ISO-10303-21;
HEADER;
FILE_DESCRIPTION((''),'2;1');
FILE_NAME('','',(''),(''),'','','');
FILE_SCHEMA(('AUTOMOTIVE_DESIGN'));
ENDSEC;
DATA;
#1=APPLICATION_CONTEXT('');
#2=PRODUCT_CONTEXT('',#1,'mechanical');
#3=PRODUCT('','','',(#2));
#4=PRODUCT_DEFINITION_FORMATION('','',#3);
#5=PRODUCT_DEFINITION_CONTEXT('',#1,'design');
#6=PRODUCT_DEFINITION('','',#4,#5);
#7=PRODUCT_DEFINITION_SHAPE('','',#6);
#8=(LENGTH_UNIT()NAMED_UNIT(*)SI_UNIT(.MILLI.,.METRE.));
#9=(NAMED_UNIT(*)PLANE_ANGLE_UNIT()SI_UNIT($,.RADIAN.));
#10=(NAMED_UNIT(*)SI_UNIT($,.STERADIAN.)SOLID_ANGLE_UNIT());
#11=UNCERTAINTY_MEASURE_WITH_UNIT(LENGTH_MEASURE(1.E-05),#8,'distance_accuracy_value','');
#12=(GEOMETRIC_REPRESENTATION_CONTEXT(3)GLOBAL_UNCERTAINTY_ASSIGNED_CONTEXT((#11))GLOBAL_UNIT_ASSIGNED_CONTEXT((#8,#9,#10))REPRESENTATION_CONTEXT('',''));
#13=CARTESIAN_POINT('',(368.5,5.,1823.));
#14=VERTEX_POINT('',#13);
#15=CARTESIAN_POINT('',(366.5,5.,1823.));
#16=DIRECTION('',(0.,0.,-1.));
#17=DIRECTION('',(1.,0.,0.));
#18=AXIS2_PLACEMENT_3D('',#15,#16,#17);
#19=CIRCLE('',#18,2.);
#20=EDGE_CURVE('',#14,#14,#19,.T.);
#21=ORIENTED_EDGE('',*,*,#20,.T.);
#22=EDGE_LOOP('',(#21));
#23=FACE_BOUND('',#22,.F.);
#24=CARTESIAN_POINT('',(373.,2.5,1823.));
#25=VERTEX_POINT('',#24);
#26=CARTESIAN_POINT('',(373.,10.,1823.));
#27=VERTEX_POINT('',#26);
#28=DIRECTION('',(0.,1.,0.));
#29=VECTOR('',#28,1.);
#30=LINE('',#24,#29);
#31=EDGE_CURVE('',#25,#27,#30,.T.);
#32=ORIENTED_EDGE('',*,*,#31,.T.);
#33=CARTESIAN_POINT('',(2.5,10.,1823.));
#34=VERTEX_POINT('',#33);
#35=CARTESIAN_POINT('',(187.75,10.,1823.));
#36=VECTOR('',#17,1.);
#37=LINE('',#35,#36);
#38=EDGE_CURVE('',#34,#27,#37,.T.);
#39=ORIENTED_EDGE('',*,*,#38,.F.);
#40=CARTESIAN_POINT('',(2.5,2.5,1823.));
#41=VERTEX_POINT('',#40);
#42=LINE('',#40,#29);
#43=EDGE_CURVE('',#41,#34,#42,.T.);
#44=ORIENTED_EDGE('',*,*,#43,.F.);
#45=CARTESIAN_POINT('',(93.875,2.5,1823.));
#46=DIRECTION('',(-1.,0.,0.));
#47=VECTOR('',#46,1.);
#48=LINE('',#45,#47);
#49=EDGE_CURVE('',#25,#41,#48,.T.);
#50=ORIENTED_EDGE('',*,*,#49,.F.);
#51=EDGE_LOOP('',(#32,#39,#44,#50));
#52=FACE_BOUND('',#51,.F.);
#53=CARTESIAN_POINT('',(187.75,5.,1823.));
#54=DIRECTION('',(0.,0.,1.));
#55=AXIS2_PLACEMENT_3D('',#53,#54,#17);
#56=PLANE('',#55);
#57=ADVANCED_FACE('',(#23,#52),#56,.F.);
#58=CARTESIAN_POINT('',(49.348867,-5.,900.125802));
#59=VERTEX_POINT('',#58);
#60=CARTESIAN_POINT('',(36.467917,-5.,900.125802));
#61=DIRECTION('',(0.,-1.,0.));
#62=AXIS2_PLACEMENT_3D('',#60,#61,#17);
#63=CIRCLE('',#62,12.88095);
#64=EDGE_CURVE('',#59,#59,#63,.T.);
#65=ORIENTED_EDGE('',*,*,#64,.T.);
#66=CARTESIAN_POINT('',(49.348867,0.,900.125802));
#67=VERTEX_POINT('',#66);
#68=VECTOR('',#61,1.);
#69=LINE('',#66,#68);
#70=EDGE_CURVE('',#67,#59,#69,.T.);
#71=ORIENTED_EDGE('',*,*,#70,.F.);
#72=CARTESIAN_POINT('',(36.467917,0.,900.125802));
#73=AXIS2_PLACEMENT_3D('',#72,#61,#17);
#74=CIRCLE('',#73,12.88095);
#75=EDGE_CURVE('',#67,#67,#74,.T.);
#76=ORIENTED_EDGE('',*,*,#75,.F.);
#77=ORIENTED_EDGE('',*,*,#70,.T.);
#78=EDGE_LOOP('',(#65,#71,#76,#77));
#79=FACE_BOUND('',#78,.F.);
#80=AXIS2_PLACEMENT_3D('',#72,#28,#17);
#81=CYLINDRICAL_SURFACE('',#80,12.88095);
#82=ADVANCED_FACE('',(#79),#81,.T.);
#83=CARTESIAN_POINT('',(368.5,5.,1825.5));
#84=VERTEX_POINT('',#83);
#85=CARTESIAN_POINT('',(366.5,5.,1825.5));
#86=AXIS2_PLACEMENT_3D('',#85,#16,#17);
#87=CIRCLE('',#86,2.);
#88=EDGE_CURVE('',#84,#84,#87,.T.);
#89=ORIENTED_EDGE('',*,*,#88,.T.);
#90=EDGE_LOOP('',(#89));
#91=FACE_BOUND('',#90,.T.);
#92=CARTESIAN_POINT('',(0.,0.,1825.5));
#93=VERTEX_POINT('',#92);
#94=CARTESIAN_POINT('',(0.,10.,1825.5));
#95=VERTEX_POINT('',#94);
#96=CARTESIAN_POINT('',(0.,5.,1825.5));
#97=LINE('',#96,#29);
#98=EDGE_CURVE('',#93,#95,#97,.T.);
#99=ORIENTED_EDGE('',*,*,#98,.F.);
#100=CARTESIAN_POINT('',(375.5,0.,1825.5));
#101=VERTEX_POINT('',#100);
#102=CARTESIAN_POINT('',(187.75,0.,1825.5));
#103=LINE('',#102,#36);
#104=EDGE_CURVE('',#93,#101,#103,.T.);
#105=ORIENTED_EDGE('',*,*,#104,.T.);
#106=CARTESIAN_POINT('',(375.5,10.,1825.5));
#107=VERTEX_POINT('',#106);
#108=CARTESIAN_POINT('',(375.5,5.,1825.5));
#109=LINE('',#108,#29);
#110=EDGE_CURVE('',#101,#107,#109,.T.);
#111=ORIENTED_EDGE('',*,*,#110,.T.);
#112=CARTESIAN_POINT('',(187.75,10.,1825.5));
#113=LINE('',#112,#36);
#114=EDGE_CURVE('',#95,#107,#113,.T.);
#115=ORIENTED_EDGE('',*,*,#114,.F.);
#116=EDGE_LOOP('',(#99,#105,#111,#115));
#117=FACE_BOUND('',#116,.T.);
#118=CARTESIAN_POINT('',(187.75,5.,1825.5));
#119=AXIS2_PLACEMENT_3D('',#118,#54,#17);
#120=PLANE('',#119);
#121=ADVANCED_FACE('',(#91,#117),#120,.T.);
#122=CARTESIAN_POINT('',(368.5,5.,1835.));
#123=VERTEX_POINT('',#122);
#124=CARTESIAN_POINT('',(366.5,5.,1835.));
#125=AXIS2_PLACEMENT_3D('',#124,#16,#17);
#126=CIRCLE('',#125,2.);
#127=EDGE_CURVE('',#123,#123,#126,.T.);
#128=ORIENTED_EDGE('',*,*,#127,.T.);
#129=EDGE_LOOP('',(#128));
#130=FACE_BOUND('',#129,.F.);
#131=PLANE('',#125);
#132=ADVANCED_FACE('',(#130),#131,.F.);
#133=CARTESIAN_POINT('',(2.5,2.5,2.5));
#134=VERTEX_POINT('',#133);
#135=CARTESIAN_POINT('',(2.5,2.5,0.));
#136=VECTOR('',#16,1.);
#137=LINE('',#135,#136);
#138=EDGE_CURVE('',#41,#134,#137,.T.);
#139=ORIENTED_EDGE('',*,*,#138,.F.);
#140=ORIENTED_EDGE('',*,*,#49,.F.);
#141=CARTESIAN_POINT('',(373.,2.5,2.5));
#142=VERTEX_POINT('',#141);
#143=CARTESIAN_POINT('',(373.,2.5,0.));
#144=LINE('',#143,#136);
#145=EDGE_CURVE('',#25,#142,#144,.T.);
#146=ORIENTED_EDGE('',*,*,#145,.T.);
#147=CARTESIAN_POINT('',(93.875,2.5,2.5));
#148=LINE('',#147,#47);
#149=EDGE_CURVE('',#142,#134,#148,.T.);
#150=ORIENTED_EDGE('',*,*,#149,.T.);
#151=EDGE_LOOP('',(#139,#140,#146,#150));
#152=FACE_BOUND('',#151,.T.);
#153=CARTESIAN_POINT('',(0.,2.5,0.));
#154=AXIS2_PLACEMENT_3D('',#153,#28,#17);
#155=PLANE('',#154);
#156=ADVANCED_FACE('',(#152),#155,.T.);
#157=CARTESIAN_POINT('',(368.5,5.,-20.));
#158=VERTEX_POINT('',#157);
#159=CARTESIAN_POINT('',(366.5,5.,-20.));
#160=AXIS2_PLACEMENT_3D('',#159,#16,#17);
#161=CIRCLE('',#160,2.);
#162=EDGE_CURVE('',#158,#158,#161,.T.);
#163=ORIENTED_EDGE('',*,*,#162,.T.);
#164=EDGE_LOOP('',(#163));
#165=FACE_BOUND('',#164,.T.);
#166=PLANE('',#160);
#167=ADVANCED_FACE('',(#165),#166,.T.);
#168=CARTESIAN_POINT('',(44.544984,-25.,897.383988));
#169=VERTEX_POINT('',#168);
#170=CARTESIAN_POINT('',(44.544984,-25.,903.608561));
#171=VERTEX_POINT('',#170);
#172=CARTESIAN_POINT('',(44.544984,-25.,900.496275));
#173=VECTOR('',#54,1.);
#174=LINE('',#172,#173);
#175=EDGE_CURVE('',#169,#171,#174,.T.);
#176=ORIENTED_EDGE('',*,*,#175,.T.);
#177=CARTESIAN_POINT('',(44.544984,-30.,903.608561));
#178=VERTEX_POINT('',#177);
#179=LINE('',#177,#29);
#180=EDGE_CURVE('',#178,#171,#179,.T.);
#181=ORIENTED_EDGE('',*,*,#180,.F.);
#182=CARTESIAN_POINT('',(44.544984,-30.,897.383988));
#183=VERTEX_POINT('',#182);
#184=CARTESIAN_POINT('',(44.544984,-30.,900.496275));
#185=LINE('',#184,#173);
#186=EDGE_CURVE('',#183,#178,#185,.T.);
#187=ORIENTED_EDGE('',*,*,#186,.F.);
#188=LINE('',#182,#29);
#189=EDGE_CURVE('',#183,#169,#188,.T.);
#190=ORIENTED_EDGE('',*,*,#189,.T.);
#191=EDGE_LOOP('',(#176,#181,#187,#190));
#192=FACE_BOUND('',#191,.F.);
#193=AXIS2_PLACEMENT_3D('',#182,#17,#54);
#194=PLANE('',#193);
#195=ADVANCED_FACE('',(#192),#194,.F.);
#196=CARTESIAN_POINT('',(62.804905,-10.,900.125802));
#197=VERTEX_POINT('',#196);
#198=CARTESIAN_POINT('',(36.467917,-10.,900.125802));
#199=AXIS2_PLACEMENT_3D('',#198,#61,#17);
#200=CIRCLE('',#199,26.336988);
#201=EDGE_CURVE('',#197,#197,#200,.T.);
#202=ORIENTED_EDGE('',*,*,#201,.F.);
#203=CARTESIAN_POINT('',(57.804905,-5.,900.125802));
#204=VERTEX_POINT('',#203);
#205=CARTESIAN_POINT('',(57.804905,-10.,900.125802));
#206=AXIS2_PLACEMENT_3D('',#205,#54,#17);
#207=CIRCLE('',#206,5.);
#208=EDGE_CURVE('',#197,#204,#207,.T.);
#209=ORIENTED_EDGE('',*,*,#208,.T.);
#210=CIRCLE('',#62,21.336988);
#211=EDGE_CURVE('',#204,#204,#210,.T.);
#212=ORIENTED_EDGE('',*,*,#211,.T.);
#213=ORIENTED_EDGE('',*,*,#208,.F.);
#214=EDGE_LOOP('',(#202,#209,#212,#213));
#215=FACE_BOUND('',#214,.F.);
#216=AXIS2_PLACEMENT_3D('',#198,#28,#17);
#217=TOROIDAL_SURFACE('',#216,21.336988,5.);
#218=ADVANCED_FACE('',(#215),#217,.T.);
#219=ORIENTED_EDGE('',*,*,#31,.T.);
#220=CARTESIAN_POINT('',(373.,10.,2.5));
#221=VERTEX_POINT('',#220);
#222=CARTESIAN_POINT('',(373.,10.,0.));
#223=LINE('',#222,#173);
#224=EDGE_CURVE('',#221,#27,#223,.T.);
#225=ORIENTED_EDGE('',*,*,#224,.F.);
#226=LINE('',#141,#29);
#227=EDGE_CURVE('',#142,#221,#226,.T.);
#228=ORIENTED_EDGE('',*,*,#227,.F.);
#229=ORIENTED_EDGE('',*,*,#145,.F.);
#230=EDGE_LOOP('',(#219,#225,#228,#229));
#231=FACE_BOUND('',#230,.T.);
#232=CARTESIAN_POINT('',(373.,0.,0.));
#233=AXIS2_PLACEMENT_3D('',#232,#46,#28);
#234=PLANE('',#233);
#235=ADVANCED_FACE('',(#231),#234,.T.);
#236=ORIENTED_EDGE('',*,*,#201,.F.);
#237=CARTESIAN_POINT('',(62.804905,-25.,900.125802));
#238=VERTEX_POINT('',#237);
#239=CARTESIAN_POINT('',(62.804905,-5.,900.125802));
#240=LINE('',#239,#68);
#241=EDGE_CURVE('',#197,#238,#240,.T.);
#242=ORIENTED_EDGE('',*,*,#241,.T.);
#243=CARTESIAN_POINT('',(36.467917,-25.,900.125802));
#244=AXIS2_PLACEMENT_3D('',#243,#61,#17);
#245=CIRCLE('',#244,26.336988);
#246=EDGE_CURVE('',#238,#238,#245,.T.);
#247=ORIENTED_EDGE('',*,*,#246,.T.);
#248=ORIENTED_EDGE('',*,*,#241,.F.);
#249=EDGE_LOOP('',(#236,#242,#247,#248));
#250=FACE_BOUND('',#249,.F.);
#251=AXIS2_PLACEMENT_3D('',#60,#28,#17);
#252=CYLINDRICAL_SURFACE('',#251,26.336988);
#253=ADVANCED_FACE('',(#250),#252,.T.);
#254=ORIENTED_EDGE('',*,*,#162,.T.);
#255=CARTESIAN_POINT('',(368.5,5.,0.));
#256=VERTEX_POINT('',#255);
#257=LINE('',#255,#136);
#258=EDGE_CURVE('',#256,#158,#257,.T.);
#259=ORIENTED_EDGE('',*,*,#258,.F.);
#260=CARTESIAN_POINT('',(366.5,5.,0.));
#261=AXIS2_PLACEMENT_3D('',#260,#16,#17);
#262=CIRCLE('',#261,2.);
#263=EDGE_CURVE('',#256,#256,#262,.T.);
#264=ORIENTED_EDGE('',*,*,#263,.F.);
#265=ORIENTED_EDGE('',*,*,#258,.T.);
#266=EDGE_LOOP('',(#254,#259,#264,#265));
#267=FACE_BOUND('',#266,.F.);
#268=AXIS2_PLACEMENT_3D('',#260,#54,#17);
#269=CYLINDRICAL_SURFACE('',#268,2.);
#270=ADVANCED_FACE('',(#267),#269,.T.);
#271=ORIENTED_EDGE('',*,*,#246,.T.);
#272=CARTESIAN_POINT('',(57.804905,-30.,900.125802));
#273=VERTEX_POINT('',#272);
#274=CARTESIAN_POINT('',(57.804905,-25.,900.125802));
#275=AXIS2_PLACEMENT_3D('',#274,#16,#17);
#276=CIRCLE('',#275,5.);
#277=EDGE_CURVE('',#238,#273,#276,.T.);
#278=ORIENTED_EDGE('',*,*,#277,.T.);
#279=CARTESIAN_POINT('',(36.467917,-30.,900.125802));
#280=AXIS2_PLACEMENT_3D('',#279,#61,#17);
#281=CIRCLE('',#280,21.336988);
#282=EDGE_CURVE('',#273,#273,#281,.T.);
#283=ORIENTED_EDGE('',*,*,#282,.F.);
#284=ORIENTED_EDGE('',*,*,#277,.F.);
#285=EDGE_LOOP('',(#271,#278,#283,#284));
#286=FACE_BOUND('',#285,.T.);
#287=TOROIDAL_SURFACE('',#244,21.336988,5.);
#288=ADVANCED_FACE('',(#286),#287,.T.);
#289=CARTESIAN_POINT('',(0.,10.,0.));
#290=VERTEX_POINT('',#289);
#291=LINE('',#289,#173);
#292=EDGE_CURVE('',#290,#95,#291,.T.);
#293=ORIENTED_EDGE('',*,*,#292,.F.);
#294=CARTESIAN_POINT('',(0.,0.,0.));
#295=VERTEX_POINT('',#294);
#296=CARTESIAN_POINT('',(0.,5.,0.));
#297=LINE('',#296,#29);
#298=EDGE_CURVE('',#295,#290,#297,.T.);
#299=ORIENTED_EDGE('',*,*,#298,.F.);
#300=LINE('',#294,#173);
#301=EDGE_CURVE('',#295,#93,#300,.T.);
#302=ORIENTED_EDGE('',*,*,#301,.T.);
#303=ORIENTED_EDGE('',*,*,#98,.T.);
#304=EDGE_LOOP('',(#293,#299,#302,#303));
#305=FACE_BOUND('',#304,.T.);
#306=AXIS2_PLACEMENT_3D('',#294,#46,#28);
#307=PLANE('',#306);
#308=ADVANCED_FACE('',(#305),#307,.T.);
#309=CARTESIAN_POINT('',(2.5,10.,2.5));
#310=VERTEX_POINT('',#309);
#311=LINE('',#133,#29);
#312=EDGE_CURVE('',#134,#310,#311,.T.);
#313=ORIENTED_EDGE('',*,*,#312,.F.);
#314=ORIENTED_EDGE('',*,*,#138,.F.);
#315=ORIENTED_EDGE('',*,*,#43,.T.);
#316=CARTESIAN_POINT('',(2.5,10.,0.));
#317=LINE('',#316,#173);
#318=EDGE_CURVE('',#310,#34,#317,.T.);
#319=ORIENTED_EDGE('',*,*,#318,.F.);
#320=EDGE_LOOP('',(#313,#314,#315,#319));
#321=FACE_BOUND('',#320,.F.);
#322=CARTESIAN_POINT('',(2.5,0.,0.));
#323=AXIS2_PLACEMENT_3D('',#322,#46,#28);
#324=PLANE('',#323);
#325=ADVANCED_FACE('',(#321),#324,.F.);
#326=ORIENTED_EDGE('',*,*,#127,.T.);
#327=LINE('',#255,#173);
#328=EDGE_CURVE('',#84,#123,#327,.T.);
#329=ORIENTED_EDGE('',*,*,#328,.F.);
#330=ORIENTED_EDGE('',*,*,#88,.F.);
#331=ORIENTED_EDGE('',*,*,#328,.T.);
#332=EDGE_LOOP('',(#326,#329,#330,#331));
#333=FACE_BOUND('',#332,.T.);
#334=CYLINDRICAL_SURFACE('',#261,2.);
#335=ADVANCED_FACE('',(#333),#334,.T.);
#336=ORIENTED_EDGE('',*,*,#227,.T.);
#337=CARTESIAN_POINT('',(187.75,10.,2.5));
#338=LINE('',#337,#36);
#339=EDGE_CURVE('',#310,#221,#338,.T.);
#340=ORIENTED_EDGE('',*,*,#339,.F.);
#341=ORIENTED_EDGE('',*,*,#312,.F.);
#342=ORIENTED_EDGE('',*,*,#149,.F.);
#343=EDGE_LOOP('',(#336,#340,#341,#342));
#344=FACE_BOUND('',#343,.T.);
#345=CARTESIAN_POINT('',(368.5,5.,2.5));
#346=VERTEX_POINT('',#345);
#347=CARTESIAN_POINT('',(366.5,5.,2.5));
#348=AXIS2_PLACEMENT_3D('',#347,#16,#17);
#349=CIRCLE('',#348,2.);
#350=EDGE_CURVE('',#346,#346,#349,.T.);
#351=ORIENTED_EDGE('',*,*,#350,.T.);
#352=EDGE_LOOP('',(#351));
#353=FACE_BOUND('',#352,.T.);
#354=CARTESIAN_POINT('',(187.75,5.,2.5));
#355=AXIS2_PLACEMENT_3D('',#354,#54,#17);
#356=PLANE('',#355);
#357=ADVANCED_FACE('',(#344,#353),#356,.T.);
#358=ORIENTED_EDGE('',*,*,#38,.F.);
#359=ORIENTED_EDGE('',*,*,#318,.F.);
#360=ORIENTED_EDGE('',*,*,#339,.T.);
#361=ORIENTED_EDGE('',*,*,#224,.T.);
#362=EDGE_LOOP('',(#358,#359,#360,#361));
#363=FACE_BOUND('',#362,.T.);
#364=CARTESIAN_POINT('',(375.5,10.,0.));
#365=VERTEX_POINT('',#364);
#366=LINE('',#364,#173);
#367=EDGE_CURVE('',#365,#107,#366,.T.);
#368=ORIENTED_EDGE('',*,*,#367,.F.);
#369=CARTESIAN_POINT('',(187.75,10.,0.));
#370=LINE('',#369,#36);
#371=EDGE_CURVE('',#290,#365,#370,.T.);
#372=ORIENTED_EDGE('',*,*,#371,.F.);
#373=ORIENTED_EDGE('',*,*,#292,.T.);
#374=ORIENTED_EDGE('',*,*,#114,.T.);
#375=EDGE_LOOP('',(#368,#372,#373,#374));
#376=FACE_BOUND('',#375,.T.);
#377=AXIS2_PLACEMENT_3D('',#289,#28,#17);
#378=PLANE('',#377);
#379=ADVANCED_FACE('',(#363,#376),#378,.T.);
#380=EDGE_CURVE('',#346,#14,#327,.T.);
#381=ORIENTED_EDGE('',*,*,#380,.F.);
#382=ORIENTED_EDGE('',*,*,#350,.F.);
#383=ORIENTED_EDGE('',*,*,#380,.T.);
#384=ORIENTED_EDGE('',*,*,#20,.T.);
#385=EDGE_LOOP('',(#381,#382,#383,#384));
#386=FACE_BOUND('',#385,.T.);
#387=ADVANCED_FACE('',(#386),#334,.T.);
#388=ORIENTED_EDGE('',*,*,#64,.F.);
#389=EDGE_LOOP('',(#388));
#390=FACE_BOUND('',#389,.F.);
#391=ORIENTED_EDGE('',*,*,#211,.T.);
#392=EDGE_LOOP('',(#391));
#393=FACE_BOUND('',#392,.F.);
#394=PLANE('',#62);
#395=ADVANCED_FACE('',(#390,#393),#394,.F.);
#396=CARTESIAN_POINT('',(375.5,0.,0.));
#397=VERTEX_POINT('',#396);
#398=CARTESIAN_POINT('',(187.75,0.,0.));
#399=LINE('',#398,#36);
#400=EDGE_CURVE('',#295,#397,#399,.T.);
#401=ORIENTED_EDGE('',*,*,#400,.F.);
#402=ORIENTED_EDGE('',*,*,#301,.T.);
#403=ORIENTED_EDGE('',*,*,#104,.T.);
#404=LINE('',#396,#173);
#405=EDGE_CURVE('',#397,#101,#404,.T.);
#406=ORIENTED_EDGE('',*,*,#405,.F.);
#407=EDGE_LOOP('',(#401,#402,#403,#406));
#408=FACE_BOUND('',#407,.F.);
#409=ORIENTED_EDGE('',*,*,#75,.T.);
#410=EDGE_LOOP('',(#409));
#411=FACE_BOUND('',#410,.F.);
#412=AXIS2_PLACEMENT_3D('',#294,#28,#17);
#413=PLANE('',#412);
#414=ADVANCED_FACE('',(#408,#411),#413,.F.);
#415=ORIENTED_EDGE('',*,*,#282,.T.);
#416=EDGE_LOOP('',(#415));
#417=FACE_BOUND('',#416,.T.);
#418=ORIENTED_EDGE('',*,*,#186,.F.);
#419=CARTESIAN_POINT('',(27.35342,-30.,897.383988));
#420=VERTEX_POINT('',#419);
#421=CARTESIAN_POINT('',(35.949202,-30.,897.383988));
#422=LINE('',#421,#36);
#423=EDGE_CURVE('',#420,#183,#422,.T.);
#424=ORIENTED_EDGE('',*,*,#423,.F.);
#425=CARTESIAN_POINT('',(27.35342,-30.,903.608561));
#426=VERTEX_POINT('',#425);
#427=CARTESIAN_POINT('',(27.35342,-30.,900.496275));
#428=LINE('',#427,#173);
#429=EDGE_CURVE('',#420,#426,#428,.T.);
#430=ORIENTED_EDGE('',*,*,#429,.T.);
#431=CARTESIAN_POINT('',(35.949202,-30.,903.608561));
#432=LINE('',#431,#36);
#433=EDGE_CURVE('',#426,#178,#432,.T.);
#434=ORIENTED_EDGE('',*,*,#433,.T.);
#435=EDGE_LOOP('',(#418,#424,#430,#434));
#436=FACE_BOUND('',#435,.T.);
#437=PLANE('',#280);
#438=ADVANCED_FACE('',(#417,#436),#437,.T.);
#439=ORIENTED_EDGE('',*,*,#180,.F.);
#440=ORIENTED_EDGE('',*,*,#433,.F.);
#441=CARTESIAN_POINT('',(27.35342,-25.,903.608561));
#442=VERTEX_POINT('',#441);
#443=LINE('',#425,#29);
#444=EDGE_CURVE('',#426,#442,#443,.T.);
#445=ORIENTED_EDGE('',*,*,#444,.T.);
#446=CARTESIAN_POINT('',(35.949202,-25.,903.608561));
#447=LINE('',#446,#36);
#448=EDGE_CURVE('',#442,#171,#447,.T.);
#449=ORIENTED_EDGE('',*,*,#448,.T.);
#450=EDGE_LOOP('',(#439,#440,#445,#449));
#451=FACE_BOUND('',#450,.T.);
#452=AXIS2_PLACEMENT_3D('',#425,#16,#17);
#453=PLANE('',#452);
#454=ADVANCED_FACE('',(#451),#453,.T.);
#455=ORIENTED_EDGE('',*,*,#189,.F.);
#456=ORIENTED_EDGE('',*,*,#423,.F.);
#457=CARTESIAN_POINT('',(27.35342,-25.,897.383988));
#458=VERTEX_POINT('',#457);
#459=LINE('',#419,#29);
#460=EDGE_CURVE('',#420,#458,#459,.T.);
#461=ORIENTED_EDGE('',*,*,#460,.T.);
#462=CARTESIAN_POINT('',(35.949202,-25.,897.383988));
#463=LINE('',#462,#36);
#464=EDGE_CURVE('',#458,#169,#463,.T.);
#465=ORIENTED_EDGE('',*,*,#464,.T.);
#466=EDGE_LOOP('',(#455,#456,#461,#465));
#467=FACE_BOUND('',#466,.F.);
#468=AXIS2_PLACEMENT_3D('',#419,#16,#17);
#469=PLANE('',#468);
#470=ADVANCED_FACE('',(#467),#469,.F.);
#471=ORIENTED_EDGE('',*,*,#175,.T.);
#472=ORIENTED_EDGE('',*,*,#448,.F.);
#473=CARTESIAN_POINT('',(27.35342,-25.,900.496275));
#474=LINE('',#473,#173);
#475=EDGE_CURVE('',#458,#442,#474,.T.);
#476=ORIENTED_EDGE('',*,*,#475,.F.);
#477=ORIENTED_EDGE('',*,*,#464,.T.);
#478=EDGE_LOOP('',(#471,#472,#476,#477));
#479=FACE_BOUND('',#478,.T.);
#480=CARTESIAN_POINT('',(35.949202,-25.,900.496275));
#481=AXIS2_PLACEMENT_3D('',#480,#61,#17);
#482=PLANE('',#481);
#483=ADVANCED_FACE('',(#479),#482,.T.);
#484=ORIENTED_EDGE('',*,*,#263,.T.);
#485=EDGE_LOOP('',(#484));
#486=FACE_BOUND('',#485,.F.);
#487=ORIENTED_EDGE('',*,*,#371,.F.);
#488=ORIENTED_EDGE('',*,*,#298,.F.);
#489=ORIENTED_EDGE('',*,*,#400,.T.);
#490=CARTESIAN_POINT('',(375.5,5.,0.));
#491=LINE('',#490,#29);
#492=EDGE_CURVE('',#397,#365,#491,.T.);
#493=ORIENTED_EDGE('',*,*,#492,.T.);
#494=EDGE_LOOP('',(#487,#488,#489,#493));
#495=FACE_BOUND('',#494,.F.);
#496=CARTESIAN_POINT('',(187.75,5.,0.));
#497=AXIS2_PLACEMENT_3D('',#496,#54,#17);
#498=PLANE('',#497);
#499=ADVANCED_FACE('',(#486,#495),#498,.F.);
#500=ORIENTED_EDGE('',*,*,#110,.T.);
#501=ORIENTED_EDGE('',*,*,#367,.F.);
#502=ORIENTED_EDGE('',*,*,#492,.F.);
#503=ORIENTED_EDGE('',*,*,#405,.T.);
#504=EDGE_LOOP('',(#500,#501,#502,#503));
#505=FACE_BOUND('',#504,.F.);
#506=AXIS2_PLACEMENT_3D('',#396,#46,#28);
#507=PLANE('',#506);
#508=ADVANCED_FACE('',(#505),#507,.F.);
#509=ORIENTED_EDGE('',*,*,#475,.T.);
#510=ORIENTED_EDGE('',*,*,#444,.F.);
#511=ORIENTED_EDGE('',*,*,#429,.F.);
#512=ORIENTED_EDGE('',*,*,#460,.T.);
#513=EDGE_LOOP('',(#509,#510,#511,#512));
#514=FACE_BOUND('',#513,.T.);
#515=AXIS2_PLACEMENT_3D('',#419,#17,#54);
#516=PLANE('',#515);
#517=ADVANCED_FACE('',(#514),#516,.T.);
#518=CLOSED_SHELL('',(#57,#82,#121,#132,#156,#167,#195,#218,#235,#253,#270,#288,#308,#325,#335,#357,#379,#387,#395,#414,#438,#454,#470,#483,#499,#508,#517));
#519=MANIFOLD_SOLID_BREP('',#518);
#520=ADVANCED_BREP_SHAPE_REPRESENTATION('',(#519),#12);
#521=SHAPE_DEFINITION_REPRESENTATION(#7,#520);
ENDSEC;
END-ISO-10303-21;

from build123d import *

# Parameters (mm, degrees)
F0_W          = 375.5
F0_H          = 10
F1_DEPTH      = 1825.5
F2_T          = -2.5
F3_R          = 2
F4_DEPTH      = 20
F4_DEPTH_BACK = 1835
F5_R          = 12.88095
F6_DEPTH      = 5
F7_R          = 26.336988
F8_DEPTH      = 25
F9_R          = 5
F10_W         = 17.191563
F10_H         = 6.224573
F11_DEPTH     = 5


with BuildPart() as f1:
    # F0 (on Top) → F1 (new body)
    with BuildSketch(Plane.XY):
        with Locations((187.75, 5)):
            Rectangle(F0_W, F0_H)
    extrude(amount=F1_DEPTH)

    # F2
    f2_openings = [f1.faces().sort_by_distance(p)[0] for p in [
        (187.75, 10, 912.75),
    ]]
    offset(amount=F2_T, openings=f2_openings)

    # F3 (on face) → F4 (join, two sides)
    with BuildSketch(Plane(origin=(0, 0, 0), x_dir=(1, 0, 0), z_dir=(0, 0, -1))) as f4_sk:
        with Locations((366.5, -5)):
            Circle(F3_R)
    extrude(amount=F4_DEPTH)
    extrude(f4_sk.sketch, amount=-F4_DEPTH_BACK)

    # F5 (on face) → F6 (join)
    with BuildSketch(Plane.XZ):
        with Locations((36.467917, 900.125802)):
            Circle(F5_R)
    extrude(amount=F6_DEPTH)

    # F7 (on face) → F8 (join)
    with BuildSketch(Plane.XZ.offset(5)):
        with Locations((36.467917, 900.125802)):
            Circle(F7_R)
    extrude(amount=F8_DEPTH)

    # F9
    f9_edges = [f1.edges().sort_by_distance(p)[0] for p in [
        (10.130929, -30, 900.125802),
        (10.130929, -5, 900.125802),
    ]]
    fillet(f9_edges, radius=F9_R)

    # F10 (on face) → F11 (cut)
    with BuildSketch(Plane.XZ.offset(30)):
        with Locations((35.949202, 900.496275)):
            Rectangle(F10_W, F10_H)
    extrude(amount=-F11_DEPTH, mode=Mode.SUBTRACT)


solid = f1.part
